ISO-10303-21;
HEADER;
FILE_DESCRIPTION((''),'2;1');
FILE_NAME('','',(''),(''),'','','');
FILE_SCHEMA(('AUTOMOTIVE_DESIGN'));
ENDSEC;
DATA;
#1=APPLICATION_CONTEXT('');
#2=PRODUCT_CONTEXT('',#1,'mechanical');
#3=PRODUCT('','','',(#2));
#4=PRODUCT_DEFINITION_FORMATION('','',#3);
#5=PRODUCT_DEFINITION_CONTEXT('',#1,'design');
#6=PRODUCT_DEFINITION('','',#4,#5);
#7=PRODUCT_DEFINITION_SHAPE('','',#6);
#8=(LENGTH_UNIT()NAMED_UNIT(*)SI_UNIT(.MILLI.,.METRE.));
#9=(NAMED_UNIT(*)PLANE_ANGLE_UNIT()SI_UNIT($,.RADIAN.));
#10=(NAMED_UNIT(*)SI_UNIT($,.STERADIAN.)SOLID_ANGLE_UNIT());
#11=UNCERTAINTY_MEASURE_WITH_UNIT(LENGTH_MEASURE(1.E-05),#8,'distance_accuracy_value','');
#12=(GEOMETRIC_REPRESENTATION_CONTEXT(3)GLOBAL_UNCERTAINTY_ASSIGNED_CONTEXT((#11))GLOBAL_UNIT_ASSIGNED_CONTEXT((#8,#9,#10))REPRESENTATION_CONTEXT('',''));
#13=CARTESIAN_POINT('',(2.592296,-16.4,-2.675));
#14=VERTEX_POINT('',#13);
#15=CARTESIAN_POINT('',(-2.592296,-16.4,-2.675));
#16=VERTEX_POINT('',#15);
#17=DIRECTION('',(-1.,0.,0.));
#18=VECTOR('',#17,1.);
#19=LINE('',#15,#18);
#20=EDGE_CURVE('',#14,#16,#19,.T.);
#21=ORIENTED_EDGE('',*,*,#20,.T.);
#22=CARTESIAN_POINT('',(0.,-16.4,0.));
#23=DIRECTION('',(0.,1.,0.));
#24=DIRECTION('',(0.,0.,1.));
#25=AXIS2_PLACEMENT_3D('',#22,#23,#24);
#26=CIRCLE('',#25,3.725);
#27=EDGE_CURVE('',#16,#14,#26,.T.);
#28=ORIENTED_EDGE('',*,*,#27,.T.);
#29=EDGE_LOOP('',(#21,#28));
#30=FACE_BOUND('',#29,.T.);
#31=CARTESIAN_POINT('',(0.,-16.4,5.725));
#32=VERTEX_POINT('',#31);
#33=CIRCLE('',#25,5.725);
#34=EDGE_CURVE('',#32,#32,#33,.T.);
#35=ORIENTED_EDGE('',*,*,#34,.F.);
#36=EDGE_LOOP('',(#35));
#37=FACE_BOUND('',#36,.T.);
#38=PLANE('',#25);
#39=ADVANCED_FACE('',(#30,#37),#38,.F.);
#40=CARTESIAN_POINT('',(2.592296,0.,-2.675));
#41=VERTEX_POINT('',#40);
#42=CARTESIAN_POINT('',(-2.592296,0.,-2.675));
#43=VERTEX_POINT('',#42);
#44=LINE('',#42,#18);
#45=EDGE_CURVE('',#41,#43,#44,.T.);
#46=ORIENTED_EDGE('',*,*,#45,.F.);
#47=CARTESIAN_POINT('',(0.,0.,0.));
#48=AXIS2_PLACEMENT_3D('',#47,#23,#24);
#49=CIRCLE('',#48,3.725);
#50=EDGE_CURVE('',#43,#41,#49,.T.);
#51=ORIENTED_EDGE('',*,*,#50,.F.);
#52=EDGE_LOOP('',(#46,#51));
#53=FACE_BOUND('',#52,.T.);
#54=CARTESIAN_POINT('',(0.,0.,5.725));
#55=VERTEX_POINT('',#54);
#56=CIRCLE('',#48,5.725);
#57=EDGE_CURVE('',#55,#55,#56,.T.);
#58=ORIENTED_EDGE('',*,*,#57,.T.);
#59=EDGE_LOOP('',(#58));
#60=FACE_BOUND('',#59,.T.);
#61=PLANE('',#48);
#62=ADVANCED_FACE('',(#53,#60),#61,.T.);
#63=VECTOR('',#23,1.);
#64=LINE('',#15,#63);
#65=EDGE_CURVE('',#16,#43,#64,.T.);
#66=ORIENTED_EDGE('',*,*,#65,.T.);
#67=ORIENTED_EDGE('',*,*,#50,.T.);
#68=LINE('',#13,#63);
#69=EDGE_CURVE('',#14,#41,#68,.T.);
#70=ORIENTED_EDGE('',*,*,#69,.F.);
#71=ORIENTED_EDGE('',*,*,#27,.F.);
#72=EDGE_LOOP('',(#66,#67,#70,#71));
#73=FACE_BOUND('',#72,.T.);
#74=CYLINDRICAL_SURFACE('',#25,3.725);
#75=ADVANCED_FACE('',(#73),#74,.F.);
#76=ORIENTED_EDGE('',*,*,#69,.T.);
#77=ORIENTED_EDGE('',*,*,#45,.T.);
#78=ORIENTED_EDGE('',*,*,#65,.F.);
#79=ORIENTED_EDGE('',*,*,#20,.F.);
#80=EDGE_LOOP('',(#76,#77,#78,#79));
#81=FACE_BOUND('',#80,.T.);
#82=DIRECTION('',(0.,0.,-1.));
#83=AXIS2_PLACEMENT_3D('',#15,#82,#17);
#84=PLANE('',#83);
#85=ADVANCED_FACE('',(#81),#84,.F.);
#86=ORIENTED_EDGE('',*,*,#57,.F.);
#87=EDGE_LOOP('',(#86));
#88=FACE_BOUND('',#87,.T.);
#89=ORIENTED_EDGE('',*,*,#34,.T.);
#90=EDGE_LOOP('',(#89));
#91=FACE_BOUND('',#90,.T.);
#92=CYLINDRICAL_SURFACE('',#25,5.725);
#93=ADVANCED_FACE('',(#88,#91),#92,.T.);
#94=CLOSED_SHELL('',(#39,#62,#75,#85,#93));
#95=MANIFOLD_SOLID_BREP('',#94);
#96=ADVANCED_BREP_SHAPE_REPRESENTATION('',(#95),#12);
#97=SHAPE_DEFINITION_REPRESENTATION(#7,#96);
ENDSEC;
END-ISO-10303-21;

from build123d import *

# Parameters (mm, degrees)
SKETCH1_R           = 5.725
BOSS_EXTRUDE1_DEPTH = 16.4
CUT_EXTRUDE1_DEPTH  = 19.289648712


with BuildPart() as part:
    # Sketch1 → Boss-Extrude1 (new body)
    with BuildSketch(Plane(origin=(0, 0, 0), x_dir=(1, 0, 0), z_dir=(0, 1, 0))):
        with Locations(Location((0, 0, 0), (0, 0, 270))):
            Circle(SKETCH1_R)
    extrude(amount=-BOSS_EXTRUDE1_DEPTH)

    # Sketch3 → Cut-Extrude1 (cut, through all)
    with BuildSketch(Plane(origin=(0, 0, 0), x_dir=(1, 0, 0), z_dir=(0, 1, 0))):
        with BuildLine():
            Line((-2.592296279, 2.675), (2.592296279, 2.675))
            ThreePointArc((2.592296279, 2.675), (0, -3.725), (-2.592296279, 2.675))
        make_face()
    extrude(amount=-CUT_EXTRUDE1_DEPTH, mode=Mode.SUBTRACT)


solid = part.part
